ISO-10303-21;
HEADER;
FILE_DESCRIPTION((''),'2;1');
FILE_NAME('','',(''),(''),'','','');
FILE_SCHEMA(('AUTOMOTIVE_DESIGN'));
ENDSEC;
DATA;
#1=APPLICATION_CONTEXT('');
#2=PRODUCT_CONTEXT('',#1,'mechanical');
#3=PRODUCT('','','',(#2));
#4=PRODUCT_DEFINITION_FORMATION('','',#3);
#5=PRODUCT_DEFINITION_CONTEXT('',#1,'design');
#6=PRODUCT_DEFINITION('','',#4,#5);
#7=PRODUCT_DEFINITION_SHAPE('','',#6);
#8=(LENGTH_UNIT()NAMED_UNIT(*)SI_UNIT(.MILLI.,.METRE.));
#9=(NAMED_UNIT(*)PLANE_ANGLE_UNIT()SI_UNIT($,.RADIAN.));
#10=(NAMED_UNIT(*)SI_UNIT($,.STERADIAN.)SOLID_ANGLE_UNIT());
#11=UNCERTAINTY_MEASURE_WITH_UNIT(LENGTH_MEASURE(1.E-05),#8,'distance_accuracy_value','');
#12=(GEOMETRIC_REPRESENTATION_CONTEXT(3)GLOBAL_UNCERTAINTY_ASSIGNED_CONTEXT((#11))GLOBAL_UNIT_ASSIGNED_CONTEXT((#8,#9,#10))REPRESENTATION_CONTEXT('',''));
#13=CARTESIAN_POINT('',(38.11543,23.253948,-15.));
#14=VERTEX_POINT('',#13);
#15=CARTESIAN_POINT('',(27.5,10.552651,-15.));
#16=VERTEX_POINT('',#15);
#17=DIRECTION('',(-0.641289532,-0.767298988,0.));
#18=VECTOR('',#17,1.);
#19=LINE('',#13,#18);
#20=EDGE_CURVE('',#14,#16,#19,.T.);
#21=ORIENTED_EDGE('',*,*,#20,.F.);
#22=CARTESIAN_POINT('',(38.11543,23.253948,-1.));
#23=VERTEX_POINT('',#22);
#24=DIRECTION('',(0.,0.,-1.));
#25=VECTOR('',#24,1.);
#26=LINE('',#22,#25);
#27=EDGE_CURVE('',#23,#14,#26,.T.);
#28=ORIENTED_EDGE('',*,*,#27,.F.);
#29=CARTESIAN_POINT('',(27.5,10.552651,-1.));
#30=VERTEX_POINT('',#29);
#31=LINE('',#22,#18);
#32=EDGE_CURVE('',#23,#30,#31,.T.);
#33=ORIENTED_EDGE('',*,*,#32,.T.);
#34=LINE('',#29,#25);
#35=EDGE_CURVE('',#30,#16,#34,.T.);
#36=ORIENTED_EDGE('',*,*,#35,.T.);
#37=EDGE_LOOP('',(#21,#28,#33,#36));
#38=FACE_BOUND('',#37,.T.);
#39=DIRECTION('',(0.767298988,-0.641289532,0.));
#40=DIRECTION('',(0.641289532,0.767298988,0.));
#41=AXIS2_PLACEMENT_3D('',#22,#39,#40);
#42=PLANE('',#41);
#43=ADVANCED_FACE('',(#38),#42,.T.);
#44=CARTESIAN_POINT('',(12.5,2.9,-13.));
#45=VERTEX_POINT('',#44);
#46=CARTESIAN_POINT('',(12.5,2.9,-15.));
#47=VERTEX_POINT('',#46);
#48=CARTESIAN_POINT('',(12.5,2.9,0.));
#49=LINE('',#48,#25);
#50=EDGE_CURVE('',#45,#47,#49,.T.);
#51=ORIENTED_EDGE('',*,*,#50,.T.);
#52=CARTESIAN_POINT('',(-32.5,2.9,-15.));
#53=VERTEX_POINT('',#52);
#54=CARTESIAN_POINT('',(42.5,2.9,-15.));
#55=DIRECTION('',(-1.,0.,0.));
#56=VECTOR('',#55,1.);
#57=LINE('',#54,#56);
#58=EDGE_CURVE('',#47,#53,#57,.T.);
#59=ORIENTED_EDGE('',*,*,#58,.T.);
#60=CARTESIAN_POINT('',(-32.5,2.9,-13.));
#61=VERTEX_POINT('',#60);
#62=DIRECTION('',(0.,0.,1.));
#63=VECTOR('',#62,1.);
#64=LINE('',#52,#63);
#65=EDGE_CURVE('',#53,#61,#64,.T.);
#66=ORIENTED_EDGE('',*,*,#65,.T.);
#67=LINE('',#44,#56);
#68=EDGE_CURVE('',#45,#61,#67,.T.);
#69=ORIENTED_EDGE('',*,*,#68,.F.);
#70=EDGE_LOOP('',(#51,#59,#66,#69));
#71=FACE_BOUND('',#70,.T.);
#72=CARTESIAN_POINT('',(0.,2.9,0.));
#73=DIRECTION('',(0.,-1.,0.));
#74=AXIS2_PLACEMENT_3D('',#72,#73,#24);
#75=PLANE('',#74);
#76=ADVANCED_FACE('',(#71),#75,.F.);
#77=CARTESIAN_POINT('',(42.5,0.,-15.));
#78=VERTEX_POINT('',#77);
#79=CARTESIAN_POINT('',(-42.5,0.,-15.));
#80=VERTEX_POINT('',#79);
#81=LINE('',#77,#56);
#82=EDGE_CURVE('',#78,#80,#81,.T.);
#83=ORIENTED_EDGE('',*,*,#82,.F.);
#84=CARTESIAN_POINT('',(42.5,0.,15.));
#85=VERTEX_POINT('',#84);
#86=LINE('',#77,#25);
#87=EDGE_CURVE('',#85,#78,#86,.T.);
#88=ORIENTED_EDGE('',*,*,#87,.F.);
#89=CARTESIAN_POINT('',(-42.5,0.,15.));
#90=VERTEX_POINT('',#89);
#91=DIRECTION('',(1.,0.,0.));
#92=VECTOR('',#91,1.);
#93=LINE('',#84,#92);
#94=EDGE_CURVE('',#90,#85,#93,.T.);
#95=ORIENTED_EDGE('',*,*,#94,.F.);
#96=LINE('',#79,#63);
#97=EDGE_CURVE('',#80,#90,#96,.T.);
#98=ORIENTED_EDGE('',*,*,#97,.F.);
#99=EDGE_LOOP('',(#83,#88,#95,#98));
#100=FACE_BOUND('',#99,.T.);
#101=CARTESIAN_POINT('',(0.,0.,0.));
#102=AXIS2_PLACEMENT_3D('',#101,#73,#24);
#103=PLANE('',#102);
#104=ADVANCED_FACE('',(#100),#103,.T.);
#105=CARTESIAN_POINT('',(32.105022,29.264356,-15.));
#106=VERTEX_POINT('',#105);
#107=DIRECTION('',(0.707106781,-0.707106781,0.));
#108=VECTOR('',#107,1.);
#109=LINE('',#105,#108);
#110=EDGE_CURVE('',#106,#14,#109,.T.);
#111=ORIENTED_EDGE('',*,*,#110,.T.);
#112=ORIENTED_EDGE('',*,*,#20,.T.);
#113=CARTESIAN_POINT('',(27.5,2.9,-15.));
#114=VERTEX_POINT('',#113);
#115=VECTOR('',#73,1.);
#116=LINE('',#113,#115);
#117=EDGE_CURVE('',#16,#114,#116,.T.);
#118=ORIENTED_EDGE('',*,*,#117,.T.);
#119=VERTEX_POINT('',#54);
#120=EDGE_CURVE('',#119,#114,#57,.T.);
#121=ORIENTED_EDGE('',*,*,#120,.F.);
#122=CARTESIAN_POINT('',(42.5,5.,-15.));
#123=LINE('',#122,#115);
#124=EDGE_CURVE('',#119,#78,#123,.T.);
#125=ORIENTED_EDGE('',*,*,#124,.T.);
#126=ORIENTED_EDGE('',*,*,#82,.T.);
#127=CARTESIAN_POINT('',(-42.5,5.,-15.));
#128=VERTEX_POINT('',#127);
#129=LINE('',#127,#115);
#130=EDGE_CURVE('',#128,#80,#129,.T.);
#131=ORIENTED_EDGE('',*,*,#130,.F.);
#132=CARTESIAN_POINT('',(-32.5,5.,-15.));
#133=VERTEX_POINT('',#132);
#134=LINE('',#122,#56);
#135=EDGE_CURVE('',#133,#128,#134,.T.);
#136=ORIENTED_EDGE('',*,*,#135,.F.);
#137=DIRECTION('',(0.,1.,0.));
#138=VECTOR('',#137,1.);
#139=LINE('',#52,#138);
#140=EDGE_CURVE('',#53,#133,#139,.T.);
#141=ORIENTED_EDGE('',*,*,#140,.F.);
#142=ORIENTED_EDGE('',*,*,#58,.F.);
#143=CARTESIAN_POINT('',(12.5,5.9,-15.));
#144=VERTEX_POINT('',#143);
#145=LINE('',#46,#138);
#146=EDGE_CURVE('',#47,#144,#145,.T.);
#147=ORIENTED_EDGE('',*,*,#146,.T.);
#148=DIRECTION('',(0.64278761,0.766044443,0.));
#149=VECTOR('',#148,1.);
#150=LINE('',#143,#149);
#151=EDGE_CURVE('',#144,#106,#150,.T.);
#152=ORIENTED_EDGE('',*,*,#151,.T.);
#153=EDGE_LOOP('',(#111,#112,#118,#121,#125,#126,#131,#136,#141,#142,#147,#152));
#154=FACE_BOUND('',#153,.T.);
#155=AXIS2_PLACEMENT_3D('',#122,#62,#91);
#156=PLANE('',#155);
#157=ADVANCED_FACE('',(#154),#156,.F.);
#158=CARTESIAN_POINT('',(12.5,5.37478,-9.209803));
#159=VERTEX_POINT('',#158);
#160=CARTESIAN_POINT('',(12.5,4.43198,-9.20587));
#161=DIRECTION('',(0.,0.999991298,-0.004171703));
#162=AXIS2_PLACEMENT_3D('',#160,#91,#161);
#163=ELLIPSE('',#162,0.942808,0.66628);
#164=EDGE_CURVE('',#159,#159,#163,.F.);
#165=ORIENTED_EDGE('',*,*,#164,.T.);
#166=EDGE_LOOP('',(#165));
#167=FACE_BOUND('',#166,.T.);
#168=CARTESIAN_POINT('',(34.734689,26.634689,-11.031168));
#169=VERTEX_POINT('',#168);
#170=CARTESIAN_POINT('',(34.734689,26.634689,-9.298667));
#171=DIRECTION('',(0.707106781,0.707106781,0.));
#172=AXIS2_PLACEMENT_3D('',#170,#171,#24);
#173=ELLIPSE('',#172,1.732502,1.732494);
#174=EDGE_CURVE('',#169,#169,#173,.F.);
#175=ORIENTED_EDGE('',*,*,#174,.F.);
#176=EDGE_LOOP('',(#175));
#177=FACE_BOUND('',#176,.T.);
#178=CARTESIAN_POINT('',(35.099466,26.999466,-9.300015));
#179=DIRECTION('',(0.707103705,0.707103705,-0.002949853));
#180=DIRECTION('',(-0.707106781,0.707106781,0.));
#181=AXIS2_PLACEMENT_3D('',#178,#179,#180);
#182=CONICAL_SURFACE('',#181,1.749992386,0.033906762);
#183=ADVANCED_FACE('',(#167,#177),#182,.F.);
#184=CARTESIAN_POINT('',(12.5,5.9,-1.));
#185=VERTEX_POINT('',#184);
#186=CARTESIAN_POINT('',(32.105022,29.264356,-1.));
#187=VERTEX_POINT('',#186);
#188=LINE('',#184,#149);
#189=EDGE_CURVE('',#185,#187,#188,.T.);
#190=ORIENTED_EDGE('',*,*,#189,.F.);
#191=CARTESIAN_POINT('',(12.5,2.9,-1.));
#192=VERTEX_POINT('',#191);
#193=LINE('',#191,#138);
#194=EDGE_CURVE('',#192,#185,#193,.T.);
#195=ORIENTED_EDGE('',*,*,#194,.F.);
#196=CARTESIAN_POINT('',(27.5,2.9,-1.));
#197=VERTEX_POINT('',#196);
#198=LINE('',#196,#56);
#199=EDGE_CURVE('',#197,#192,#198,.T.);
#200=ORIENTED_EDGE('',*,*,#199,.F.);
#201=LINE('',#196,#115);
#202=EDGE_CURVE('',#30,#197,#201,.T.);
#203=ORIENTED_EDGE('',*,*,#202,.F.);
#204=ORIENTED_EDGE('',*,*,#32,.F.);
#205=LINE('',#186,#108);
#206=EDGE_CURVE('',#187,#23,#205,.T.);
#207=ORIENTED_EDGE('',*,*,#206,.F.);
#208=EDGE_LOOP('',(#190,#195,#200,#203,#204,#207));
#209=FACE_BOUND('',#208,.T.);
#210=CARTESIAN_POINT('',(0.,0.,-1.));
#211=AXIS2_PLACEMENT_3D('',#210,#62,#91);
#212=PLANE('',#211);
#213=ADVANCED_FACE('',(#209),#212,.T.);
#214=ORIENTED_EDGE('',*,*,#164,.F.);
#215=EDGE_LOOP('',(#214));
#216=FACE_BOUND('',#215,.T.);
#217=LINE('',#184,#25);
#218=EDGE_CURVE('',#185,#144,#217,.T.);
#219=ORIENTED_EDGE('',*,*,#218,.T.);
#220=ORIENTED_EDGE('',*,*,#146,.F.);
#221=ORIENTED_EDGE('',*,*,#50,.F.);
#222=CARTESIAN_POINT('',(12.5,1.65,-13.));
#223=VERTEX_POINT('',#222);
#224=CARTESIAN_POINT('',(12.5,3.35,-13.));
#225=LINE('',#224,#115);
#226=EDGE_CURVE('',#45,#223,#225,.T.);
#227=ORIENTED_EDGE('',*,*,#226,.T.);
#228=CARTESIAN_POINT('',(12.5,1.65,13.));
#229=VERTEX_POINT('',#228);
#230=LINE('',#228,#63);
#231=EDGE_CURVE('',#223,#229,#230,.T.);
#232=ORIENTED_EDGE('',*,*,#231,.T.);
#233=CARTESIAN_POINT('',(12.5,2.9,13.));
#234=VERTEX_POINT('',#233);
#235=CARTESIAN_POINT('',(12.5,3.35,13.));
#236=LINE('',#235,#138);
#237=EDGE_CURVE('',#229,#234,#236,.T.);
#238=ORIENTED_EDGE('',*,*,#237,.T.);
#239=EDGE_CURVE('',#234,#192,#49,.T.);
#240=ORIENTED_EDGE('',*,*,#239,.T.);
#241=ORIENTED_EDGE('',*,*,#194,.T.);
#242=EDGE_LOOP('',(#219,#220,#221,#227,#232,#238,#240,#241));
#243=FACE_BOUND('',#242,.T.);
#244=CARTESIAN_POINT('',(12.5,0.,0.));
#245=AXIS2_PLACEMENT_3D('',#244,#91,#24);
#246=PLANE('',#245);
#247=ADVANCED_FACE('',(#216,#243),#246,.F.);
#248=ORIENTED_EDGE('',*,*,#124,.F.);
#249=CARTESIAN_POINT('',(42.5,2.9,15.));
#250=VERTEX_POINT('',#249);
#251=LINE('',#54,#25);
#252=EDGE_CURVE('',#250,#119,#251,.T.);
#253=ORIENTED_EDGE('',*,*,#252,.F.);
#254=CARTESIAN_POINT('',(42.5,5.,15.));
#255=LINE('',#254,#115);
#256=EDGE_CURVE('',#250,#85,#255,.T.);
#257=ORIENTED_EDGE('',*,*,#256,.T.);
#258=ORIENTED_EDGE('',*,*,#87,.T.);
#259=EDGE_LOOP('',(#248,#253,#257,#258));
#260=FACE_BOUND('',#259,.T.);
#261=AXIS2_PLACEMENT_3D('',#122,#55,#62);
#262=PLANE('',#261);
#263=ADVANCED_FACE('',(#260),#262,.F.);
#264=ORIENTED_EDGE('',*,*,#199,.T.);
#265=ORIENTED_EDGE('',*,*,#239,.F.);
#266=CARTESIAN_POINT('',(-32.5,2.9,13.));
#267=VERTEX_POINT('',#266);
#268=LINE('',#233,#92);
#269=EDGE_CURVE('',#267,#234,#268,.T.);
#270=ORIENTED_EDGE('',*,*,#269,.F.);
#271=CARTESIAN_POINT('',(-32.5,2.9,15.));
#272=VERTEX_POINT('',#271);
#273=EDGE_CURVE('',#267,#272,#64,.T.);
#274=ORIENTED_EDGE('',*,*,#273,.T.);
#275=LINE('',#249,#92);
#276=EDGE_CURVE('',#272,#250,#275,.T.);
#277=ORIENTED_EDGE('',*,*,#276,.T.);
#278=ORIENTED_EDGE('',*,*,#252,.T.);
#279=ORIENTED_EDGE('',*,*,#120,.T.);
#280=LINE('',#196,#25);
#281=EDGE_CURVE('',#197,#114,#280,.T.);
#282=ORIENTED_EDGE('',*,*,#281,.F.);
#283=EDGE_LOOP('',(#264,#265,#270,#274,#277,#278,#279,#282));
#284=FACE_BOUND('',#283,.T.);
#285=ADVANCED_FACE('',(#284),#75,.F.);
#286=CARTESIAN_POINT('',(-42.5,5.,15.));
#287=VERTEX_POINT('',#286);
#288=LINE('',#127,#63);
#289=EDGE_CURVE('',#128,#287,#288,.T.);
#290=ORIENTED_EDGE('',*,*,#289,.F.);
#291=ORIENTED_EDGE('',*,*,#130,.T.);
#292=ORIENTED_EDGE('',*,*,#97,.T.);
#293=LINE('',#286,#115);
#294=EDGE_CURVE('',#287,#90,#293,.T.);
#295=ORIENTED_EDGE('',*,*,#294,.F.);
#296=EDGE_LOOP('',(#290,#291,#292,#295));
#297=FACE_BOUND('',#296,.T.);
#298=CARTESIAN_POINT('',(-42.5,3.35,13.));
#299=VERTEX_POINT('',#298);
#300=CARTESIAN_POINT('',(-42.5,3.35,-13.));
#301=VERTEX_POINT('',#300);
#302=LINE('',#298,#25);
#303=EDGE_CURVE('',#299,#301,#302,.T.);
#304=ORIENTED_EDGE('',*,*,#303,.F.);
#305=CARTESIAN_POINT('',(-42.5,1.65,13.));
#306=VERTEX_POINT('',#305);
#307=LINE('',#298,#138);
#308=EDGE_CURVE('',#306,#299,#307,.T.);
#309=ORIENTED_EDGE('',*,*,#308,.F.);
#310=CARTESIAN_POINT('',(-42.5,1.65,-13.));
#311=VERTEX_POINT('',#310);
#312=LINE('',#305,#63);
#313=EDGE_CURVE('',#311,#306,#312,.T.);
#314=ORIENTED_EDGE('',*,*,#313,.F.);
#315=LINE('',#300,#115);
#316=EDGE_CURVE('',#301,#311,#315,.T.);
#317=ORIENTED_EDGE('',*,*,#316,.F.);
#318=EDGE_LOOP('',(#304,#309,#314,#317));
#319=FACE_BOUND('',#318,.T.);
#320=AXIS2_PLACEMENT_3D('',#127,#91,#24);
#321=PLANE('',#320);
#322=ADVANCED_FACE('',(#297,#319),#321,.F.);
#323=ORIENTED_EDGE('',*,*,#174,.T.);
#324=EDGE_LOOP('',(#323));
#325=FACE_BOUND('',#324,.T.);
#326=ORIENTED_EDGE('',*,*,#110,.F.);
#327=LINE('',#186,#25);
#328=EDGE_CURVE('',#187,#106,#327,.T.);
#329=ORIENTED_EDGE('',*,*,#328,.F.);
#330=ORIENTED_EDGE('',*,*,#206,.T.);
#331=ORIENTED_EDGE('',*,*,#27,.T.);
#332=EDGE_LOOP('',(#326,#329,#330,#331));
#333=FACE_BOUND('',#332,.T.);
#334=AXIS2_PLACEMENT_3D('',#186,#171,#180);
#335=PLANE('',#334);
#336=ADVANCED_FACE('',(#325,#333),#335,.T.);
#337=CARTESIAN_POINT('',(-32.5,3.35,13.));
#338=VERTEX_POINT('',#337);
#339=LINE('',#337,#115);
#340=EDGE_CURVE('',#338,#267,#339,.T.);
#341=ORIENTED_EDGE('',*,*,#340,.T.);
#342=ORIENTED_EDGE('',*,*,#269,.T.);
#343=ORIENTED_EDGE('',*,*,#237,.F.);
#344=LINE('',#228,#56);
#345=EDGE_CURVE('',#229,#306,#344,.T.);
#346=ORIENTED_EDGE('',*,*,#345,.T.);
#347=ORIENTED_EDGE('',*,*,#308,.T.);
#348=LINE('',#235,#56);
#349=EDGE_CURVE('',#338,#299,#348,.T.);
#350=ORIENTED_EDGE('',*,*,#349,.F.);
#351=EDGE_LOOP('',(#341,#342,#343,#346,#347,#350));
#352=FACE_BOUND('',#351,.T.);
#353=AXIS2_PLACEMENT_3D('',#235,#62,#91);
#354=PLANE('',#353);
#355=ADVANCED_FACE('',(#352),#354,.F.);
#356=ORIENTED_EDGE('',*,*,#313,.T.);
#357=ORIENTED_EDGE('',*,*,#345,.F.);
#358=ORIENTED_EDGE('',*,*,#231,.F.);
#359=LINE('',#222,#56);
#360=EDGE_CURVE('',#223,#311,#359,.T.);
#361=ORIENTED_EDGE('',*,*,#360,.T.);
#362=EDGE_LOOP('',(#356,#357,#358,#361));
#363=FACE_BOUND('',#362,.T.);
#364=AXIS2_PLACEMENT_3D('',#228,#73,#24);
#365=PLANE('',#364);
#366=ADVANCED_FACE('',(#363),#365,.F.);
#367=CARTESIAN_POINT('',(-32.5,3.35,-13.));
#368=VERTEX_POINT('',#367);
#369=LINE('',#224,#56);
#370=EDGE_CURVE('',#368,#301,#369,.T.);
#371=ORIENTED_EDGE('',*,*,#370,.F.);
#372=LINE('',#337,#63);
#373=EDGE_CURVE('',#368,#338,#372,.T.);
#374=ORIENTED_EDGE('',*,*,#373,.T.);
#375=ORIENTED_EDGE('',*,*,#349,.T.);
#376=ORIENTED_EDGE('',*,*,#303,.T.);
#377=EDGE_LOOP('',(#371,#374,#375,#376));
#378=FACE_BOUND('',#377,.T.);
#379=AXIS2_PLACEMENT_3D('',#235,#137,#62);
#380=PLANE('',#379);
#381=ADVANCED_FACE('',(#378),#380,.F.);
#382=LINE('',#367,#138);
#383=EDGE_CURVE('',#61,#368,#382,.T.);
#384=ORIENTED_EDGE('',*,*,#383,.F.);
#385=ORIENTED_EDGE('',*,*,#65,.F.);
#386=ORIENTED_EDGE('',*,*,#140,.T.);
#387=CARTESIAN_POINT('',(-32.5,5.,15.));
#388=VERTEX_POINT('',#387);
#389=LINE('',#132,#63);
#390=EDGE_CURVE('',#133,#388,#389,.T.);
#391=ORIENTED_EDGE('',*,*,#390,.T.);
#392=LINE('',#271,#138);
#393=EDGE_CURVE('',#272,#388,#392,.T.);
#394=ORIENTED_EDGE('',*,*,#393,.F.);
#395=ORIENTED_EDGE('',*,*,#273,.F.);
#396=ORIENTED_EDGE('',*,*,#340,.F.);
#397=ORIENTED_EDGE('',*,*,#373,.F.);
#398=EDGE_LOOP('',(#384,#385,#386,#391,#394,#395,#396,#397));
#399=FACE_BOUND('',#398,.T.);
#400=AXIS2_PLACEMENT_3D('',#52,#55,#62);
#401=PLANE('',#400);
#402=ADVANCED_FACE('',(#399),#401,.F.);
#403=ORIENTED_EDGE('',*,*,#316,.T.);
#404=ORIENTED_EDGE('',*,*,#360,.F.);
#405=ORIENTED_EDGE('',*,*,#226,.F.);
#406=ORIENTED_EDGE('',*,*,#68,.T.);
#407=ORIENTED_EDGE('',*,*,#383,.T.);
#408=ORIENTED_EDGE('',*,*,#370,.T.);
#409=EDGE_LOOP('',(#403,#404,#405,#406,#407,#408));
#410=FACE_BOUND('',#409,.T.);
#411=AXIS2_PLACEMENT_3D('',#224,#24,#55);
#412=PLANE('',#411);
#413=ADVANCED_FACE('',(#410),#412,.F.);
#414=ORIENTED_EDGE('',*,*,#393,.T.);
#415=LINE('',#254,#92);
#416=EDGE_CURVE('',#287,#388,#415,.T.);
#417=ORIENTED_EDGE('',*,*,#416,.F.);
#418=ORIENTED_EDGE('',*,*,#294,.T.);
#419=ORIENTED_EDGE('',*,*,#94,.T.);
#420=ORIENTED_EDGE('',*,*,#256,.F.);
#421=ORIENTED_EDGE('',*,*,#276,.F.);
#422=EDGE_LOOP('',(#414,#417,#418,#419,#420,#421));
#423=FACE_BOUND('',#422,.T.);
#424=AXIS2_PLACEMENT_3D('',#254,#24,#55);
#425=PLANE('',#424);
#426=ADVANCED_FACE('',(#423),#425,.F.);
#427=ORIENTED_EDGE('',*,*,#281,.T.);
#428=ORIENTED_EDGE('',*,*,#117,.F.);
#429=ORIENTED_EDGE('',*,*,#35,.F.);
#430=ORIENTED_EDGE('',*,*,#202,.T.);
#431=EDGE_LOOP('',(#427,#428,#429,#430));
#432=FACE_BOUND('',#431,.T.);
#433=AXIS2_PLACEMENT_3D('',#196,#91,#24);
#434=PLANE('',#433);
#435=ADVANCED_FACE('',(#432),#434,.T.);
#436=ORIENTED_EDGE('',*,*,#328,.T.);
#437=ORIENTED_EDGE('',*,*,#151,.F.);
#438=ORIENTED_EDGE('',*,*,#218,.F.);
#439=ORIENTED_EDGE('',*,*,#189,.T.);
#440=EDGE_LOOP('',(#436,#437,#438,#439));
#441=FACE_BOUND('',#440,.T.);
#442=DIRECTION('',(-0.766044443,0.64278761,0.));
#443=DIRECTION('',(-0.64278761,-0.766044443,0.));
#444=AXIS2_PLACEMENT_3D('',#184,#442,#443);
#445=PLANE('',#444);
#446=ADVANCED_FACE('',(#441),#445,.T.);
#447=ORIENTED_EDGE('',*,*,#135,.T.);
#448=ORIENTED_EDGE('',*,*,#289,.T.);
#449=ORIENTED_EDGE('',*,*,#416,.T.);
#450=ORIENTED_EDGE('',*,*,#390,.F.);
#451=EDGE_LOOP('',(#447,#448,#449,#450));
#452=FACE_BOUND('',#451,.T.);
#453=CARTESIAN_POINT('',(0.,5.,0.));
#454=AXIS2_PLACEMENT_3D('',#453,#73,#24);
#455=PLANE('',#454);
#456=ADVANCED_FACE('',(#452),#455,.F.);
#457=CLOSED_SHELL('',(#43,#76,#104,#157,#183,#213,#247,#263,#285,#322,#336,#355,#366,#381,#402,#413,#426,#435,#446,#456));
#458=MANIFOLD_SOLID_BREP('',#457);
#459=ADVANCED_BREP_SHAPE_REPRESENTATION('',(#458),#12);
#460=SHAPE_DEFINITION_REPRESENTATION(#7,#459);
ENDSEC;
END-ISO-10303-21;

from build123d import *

# Parameters (mm, degrees)
SKETCH1_W           = 85
SKETCH1_H           = 30
BOSS_EXTRUDE1_DEPTH = 5
SKETCH2_W           = 26
SKETCH2_H           = 1.7
CUT_EXTRUDE1_DEPTH  = 55
SKETCH3_W           = 75
SKETCH3_H           = 30
CUT_EXTRUDE2_DEPTH  = 2.1
BOSS_EXTRUDE5_DEPTH = 14


with BuildPart() as part:
    # Sketch1 → Boss-Extrude1 (new body)
    with BuildSketch(Plane(origin=(0, 0, 0), x_dir=(1, 0, 0), z_dir=(0, 1, 0))):
        Rectangle(SKETCH1_W, SKETCH1_H)
    extrude(amount=BOSS_EXTRUDE1_DEPTH)

    # Sketch2 → Cut-Extrude1 (cut)
    with BuildSketch(Plane.ZY.offset(42.5)):
        with Locations((0, 2.5)):
            Rectangle(SKETCH2_W, SKETCH2_H)
    extrude(amount=-CUT_EXTRUDE1_DEPTH, mode=Mode.SUBTRACT)

    # Sketch3 → Cut-Extrude2 (cut)
    with BuildSketch(Plane(origin=(0, 5, 0), x_dir=(1, 0, 0), z_dir=(0, 1, 0))):
        with Locations((5, 0)):
            Rectangle(SKETCH3_W, SKETCH3_H)
    extrude(amount=-CUT_EXTRUDE2_DEPTH, mode=Mode.SUBTRACT)

    # Sketch10 → Boss-Extrude5 (add)
    with BuildSketch(Plane(origin=(0, 0, -15), x_dir=(-1, 0, 0), z_dir=(0, 0, -1))):
        Polygon((-27.5, 2.9), (-12.5, 2.9), (-12.5, 5.9), (-32.105022095, 29.264355515), (-38.115429736, 23.253947875), (-27.5, 10.552651361), align=None)
    extrude(amount=-BOSS_EXTRUDE5_DEPTH)

    # Sketch14 → Cut-Revolve5 (revolve, cut)
    with BuildSketch(Plane(origin=(4.05, -4.05, 0), x_dir=(0, 0, 1), z_dir=(-0.7071067811865432, 0.7071067811865518, 0)), mode=Mode.PRIVATE) as cut_revolve5_sk:
        Polygon((-9.8, 10.005560954), (-9.2, 10.005560954), (-9.3, 43.905413461), (-11.05, 43.905413461), align=None)
    revolve(cut_revolve5_sk.sketch.rotate(Axis((11.125, 3.025, -9.2), (0.7071037046891342, 0.7071037046891259, -0.0029498525073746134)), 89.830986391), axis=Axis((11.125, 3.025, -9.2), (0.7071037046891342, 0.7071037046891259, -0.0029498525073746134)), mode=Mode.SUBTRACT)


solid = part.part
